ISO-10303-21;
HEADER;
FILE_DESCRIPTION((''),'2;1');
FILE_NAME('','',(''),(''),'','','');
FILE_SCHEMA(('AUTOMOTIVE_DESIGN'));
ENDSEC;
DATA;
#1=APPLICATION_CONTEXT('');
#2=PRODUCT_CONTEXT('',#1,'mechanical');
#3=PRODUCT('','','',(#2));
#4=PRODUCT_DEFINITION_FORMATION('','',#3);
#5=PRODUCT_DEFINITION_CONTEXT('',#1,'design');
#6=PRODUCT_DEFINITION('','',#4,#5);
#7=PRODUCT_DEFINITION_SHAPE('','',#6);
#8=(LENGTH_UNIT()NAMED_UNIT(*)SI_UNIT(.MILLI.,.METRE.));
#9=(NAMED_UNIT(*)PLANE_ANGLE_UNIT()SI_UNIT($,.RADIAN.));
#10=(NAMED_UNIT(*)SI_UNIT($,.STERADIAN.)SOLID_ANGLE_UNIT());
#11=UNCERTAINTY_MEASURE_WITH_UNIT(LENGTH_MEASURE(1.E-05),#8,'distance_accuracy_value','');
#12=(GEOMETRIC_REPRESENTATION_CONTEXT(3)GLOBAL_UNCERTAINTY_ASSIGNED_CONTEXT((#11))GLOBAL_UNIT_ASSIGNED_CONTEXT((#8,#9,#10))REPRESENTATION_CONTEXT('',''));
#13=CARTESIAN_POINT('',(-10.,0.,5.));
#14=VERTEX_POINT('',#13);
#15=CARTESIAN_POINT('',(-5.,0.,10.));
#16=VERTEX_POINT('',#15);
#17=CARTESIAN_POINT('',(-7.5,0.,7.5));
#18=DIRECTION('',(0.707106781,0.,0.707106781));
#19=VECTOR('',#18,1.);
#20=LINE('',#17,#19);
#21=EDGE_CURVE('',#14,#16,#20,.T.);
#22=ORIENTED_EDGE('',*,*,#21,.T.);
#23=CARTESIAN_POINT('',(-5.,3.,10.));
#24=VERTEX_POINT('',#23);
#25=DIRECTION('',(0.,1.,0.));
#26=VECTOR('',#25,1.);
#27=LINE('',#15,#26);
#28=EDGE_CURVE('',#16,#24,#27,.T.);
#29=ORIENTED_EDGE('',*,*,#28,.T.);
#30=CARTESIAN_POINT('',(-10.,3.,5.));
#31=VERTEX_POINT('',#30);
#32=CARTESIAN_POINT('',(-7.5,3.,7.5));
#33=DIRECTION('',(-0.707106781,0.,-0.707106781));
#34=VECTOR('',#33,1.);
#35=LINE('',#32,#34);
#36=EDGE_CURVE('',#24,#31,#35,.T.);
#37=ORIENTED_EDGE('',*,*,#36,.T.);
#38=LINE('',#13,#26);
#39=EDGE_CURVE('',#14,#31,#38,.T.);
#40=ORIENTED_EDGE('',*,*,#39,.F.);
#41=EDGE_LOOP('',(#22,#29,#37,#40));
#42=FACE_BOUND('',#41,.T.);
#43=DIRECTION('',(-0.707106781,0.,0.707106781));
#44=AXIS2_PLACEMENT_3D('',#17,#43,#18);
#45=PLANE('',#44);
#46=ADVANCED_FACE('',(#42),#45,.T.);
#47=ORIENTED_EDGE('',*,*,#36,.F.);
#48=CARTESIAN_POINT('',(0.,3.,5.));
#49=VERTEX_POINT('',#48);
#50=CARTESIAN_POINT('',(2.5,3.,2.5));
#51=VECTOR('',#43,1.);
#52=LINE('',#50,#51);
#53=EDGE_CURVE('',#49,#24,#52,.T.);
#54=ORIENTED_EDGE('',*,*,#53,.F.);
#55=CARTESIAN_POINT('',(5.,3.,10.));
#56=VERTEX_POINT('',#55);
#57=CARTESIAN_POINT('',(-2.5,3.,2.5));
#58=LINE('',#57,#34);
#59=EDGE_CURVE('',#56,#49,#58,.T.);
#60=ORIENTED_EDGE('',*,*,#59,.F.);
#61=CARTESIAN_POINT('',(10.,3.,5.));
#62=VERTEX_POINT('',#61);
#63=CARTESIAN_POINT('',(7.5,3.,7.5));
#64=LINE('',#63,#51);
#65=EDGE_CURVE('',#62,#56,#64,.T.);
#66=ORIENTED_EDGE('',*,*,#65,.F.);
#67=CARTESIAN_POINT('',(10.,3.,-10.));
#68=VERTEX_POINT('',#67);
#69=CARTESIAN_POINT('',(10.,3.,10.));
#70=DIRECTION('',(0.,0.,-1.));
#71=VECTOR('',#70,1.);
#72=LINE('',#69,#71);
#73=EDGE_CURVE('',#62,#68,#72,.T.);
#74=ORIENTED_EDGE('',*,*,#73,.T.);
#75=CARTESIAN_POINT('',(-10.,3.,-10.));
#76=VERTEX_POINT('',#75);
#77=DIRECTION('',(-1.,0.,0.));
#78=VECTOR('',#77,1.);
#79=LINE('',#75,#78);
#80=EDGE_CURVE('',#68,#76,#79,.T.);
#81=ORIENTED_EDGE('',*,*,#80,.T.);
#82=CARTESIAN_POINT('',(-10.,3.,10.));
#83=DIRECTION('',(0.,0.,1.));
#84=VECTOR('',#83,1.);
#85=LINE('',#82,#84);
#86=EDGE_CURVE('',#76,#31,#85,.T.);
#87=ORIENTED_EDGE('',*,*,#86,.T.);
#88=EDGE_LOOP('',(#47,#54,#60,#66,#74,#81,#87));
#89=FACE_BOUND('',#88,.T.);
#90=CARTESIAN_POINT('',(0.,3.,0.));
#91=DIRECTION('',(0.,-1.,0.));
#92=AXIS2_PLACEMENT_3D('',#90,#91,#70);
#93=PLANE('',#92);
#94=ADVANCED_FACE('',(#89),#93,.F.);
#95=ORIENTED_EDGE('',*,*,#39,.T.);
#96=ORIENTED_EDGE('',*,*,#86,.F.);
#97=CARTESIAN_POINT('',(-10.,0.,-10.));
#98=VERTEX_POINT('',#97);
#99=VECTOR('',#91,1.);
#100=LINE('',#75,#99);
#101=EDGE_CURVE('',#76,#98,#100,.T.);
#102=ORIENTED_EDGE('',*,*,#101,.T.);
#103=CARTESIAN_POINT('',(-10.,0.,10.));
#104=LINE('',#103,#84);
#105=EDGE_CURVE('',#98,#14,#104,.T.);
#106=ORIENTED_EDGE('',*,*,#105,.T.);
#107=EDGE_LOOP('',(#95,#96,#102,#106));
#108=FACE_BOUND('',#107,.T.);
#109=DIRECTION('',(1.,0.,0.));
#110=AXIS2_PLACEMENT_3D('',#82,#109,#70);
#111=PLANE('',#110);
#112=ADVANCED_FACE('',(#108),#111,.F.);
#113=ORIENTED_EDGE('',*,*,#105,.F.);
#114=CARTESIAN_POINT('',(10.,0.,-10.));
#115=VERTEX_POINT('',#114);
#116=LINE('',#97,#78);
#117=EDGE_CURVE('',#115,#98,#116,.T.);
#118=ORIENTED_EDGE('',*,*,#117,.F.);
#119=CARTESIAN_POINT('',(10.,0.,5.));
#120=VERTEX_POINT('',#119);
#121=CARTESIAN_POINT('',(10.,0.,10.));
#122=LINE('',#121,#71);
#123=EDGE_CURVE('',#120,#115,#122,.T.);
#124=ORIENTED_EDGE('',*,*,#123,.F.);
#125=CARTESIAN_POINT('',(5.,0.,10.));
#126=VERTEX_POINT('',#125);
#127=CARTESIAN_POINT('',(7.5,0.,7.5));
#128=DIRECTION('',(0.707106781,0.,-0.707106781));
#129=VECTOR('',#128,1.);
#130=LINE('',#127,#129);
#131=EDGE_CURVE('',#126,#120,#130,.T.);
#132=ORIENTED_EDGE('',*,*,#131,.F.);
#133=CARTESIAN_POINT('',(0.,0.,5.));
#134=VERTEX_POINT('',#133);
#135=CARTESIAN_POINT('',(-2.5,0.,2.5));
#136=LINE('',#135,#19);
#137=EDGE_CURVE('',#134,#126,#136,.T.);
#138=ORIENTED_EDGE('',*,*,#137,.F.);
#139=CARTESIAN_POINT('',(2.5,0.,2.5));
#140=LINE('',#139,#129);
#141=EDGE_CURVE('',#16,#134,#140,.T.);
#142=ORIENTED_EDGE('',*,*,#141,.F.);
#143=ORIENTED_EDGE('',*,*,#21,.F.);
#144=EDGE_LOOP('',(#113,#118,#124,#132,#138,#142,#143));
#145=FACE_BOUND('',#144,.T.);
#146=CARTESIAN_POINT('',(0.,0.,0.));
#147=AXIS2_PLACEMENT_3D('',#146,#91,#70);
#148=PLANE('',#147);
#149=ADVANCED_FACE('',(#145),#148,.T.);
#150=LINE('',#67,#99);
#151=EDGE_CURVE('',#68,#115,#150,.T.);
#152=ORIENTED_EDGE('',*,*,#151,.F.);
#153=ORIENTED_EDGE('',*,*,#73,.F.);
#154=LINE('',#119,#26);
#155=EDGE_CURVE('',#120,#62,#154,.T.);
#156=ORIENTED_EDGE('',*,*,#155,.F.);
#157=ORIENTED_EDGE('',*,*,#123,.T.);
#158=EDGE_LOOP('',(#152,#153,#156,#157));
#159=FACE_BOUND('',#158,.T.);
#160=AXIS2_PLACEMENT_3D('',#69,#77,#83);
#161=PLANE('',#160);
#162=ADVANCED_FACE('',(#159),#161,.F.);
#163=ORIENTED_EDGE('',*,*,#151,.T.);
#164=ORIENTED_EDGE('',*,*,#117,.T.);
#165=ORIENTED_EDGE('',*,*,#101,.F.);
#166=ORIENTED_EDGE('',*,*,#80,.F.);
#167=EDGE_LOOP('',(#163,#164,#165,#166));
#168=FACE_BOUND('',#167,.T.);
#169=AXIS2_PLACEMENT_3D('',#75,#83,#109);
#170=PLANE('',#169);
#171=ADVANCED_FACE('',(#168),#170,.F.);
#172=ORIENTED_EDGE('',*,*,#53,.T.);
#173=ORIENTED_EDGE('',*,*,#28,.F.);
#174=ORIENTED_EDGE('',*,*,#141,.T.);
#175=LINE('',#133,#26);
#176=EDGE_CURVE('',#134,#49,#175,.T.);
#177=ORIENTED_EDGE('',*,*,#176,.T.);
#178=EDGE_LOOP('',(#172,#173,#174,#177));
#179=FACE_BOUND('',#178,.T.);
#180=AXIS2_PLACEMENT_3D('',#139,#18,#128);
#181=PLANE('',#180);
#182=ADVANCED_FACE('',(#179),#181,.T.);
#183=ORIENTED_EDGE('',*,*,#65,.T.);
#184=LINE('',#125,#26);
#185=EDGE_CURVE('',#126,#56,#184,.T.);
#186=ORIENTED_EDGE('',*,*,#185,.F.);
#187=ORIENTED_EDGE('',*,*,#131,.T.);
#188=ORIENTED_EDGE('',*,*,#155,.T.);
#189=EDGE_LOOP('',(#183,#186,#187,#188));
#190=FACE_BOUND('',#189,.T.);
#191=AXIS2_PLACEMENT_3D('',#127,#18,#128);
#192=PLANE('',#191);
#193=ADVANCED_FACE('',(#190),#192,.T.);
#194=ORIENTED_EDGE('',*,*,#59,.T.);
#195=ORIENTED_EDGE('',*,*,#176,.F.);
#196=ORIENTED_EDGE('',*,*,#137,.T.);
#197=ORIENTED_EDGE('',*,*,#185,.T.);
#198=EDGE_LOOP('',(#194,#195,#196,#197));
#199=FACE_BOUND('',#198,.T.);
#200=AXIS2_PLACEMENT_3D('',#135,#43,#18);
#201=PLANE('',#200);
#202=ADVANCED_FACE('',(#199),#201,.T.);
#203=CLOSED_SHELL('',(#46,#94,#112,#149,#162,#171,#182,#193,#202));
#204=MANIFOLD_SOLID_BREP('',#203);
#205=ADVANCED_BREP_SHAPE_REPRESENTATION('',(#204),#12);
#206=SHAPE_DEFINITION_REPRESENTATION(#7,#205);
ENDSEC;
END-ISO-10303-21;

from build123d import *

# Parameters (mm, degrees)
SKETCH1_W               = 20
SKETCH1_H               = 20
BOSS_EXTRUDE1_DEPTH     = 3
CUT_EXTRUDE1_DEPTH      = 1
CUT_EXTRUDE1_DEPTH_BACK = 4


with BuildPart() as part:
    # Sketch1 → Boss-Extrude1 (new body)
    with BuildSketch(Plane(origin=(0, 0, 0), x_dir=(1, 0, 0), z_dir=(0, 1, 0))):
        Rectangle(SKETCH1_W, SKETCH1_H)
    extrude(amount=BOSS_EXTRUDE1_DEPTH)

    # Sketch2 → Cut-Extrude1 (cut, two sides)
    with BuildSketch(Plane(origin=(0, 3, 0), x_dir=(1, 0, 0), z_dir=(0, 1, 0))) as cut_extrude1_sk:
        Polygon((-5, -10), (-10, -5), (-10, -10), align=None)
        Polygon((0, -5), (-5, -10), (5, -10), align=None)
        Polygon((10, -5), (5, -10), (10, -10), align=None)
    extrude(amount=CUT_EXTRUDE1_DEPTH, mode=Mode.SUBTRACT)
    extrude(cut_extrude1_sk.sketch, amount=-CUT_EXTRUDE1_DEPTH_BACK, mode=Mode.SUBTRACT)


solid = part.part
